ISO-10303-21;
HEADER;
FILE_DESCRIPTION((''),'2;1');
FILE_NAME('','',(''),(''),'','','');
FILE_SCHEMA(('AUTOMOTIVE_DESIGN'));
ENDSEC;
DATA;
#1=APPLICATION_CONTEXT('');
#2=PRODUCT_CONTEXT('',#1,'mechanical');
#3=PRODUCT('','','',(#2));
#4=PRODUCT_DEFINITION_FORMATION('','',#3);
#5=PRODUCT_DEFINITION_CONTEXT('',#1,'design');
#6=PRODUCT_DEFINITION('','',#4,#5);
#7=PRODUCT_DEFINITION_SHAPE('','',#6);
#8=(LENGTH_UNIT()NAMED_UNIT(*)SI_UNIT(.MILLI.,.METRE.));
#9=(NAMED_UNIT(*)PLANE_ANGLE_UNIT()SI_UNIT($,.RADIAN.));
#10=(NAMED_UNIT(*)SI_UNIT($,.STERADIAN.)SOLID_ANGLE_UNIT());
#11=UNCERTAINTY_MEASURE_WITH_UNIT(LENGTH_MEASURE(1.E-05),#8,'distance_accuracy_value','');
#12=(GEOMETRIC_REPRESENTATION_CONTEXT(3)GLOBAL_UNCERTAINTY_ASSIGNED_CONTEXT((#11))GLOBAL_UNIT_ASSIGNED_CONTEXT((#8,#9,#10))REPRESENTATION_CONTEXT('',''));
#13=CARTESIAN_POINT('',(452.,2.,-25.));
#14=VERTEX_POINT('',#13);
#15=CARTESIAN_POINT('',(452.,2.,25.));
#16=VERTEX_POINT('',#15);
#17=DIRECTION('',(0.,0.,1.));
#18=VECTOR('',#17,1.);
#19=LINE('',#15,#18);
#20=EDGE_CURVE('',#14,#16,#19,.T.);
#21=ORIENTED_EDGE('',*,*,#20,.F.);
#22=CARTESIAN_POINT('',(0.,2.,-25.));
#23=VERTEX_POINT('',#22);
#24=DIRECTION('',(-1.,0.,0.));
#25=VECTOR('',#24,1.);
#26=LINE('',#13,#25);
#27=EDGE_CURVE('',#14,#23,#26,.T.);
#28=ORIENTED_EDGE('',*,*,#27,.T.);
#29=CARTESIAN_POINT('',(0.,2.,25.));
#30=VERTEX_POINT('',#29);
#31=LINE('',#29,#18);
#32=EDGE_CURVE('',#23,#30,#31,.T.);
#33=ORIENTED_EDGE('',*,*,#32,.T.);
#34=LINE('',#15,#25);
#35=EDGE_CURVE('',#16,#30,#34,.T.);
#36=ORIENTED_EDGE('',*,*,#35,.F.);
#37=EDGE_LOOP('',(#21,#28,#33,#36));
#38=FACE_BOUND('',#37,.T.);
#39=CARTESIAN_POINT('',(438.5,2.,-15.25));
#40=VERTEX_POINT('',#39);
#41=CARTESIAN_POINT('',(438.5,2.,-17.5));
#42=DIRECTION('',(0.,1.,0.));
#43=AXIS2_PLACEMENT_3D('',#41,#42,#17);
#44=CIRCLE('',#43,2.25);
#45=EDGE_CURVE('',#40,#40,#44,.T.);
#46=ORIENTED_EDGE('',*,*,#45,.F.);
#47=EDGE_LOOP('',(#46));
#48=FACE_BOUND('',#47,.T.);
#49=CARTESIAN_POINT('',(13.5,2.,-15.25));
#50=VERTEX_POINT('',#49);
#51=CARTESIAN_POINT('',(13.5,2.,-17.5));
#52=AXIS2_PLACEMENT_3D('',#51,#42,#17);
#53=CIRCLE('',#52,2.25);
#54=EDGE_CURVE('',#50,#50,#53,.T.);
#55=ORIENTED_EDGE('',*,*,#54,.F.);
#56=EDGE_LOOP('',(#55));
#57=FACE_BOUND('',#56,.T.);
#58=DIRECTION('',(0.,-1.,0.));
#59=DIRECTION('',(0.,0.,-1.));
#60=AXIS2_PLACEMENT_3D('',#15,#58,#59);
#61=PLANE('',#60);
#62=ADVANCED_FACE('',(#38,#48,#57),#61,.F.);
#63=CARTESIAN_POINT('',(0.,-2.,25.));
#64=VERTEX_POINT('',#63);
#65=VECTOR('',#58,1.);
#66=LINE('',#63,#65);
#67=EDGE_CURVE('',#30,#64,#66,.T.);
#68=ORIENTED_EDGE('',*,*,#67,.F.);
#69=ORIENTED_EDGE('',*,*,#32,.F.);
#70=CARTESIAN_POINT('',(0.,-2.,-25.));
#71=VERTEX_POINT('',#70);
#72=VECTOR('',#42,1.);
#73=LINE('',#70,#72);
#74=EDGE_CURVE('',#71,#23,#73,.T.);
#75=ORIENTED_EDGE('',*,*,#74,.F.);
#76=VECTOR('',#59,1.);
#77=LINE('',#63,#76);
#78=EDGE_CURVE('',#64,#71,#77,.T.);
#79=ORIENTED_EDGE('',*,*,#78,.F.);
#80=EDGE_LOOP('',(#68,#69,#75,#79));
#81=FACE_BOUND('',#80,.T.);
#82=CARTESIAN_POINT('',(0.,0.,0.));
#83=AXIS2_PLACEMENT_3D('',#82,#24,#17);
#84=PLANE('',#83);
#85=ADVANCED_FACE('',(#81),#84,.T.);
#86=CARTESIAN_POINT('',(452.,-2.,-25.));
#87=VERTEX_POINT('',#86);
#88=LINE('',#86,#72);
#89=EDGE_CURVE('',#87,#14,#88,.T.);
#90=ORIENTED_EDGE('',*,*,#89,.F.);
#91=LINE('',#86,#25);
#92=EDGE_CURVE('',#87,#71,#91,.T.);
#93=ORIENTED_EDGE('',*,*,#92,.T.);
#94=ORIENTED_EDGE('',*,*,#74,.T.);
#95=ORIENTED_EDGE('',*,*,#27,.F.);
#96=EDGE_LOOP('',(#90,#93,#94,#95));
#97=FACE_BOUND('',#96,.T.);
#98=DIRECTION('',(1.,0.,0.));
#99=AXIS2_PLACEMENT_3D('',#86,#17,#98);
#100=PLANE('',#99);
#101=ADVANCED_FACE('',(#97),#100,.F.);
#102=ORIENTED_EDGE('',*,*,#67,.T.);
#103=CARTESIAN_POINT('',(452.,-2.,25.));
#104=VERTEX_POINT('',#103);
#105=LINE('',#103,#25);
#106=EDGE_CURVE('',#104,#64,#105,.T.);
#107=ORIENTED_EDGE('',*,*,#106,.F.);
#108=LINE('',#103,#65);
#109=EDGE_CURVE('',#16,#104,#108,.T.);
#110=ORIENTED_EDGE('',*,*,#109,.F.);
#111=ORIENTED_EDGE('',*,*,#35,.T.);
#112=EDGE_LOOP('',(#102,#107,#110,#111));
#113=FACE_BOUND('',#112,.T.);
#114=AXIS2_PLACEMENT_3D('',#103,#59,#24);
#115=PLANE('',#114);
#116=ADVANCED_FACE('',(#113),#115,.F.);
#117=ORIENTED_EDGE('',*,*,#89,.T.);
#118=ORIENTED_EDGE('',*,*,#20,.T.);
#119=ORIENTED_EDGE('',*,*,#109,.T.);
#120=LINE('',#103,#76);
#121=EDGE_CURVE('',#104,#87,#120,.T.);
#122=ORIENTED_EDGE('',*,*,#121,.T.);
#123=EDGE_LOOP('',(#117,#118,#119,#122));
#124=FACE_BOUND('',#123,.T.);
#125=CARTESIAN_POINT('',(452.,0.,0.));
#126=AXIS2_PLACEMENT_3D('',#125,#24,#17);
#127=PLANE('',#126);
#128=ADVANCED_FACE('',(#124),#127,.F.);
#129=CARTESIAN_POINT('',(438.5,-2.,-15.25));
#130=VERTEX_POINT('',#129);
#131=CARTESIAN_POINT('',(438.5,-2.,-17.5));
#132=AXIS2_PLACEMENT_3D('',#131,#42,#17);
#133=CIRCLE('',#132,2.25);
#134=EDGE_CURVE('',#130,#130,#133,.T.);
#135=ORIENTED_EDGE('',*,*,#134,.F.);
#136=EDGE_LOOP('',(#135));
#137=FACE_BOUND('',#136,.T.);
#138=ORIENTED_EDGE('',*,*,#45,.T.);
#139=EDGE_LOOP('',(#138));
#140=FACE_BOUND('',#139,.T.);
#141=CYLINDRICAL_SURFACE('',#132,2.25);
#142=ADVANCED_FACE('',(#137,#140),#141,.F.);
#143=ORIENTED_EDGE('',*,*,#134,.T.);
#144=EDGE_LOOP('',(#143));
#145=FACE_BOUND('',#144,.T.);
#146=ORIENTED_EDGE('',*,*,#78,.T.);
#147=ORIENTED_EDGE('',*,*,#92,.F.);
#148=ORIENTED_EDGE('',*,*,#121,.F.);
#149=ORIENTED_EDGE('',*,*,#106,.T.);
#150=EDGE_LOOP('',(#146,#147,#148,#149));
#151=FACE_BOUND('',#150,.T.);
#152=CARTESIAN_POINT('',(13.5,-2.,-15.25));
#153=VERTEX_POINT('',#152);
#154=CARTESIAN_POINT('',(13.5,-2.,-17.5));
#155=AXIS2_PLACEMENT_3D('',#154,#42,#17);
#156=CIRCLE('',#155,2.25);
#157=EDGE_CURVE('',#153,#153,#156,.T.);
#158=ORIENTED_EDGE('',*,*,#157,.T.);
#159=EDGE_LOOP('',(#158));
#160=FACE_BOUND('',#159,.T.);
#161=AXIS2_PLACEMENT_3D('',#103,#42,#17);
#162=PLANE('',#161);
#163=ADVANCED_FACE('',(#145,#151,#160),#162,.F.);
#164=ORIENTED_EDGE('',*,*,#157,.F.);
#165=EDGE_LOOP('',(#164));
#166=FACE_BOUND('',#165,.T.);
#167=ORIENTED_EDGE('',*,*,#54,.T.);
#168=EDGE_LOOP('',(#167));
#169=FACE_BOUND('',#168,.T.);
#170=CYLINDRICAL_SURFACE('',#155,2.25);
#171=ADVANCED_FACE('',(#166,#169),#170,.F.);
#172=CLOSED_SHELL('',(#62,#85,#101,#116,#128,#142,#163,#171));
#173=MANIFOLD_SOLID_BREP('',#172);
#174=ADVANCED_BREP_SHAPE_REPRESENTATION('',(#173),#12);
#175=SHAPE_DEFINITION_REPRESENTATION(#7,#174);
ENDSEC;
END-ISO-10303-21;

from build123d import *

# Parameters (mm, degrees)
SKETCH_1_W          = 50
SKETCH_1_H          = 4
EXTRUDE_1_DEPTH     = 452
SKETCH_2_R          = 2.25
CUT_EXTRUDE_1_DEPTH = 5


with BuildPart() as part:
    # Эскиз1 → Бобышка-Вытянуть1 (new body)
    with BuildSketch(Plane(origin=(0, 0, 0), x_dir=(0, 0, -1), z_dir=(1, 0, 0))):
        Rectangle(SKETCH_1_W, SKETCH_1_H)
    extrude(amount=EXTRUDE_1_DEPTH)

    # Эскиз2 → Вырез-Вытянуть1 (cut, through all)
    with BuildSketch(Plane(origin=(0, 2, 0), x_dir=(1, 0, 0), z_dir=(0, 1, 0))):
        with Locations((13.5, 17.5)):
            Circle(SKETCH_2_R)
        with Locations((438.5, 17.5)):
            Circle(SKETCH_2_R)
    extrude(amount=-CUT_EXTRUDE_1_DEPTH, mode=Mode.SUBTRACT)


solid = part.part
